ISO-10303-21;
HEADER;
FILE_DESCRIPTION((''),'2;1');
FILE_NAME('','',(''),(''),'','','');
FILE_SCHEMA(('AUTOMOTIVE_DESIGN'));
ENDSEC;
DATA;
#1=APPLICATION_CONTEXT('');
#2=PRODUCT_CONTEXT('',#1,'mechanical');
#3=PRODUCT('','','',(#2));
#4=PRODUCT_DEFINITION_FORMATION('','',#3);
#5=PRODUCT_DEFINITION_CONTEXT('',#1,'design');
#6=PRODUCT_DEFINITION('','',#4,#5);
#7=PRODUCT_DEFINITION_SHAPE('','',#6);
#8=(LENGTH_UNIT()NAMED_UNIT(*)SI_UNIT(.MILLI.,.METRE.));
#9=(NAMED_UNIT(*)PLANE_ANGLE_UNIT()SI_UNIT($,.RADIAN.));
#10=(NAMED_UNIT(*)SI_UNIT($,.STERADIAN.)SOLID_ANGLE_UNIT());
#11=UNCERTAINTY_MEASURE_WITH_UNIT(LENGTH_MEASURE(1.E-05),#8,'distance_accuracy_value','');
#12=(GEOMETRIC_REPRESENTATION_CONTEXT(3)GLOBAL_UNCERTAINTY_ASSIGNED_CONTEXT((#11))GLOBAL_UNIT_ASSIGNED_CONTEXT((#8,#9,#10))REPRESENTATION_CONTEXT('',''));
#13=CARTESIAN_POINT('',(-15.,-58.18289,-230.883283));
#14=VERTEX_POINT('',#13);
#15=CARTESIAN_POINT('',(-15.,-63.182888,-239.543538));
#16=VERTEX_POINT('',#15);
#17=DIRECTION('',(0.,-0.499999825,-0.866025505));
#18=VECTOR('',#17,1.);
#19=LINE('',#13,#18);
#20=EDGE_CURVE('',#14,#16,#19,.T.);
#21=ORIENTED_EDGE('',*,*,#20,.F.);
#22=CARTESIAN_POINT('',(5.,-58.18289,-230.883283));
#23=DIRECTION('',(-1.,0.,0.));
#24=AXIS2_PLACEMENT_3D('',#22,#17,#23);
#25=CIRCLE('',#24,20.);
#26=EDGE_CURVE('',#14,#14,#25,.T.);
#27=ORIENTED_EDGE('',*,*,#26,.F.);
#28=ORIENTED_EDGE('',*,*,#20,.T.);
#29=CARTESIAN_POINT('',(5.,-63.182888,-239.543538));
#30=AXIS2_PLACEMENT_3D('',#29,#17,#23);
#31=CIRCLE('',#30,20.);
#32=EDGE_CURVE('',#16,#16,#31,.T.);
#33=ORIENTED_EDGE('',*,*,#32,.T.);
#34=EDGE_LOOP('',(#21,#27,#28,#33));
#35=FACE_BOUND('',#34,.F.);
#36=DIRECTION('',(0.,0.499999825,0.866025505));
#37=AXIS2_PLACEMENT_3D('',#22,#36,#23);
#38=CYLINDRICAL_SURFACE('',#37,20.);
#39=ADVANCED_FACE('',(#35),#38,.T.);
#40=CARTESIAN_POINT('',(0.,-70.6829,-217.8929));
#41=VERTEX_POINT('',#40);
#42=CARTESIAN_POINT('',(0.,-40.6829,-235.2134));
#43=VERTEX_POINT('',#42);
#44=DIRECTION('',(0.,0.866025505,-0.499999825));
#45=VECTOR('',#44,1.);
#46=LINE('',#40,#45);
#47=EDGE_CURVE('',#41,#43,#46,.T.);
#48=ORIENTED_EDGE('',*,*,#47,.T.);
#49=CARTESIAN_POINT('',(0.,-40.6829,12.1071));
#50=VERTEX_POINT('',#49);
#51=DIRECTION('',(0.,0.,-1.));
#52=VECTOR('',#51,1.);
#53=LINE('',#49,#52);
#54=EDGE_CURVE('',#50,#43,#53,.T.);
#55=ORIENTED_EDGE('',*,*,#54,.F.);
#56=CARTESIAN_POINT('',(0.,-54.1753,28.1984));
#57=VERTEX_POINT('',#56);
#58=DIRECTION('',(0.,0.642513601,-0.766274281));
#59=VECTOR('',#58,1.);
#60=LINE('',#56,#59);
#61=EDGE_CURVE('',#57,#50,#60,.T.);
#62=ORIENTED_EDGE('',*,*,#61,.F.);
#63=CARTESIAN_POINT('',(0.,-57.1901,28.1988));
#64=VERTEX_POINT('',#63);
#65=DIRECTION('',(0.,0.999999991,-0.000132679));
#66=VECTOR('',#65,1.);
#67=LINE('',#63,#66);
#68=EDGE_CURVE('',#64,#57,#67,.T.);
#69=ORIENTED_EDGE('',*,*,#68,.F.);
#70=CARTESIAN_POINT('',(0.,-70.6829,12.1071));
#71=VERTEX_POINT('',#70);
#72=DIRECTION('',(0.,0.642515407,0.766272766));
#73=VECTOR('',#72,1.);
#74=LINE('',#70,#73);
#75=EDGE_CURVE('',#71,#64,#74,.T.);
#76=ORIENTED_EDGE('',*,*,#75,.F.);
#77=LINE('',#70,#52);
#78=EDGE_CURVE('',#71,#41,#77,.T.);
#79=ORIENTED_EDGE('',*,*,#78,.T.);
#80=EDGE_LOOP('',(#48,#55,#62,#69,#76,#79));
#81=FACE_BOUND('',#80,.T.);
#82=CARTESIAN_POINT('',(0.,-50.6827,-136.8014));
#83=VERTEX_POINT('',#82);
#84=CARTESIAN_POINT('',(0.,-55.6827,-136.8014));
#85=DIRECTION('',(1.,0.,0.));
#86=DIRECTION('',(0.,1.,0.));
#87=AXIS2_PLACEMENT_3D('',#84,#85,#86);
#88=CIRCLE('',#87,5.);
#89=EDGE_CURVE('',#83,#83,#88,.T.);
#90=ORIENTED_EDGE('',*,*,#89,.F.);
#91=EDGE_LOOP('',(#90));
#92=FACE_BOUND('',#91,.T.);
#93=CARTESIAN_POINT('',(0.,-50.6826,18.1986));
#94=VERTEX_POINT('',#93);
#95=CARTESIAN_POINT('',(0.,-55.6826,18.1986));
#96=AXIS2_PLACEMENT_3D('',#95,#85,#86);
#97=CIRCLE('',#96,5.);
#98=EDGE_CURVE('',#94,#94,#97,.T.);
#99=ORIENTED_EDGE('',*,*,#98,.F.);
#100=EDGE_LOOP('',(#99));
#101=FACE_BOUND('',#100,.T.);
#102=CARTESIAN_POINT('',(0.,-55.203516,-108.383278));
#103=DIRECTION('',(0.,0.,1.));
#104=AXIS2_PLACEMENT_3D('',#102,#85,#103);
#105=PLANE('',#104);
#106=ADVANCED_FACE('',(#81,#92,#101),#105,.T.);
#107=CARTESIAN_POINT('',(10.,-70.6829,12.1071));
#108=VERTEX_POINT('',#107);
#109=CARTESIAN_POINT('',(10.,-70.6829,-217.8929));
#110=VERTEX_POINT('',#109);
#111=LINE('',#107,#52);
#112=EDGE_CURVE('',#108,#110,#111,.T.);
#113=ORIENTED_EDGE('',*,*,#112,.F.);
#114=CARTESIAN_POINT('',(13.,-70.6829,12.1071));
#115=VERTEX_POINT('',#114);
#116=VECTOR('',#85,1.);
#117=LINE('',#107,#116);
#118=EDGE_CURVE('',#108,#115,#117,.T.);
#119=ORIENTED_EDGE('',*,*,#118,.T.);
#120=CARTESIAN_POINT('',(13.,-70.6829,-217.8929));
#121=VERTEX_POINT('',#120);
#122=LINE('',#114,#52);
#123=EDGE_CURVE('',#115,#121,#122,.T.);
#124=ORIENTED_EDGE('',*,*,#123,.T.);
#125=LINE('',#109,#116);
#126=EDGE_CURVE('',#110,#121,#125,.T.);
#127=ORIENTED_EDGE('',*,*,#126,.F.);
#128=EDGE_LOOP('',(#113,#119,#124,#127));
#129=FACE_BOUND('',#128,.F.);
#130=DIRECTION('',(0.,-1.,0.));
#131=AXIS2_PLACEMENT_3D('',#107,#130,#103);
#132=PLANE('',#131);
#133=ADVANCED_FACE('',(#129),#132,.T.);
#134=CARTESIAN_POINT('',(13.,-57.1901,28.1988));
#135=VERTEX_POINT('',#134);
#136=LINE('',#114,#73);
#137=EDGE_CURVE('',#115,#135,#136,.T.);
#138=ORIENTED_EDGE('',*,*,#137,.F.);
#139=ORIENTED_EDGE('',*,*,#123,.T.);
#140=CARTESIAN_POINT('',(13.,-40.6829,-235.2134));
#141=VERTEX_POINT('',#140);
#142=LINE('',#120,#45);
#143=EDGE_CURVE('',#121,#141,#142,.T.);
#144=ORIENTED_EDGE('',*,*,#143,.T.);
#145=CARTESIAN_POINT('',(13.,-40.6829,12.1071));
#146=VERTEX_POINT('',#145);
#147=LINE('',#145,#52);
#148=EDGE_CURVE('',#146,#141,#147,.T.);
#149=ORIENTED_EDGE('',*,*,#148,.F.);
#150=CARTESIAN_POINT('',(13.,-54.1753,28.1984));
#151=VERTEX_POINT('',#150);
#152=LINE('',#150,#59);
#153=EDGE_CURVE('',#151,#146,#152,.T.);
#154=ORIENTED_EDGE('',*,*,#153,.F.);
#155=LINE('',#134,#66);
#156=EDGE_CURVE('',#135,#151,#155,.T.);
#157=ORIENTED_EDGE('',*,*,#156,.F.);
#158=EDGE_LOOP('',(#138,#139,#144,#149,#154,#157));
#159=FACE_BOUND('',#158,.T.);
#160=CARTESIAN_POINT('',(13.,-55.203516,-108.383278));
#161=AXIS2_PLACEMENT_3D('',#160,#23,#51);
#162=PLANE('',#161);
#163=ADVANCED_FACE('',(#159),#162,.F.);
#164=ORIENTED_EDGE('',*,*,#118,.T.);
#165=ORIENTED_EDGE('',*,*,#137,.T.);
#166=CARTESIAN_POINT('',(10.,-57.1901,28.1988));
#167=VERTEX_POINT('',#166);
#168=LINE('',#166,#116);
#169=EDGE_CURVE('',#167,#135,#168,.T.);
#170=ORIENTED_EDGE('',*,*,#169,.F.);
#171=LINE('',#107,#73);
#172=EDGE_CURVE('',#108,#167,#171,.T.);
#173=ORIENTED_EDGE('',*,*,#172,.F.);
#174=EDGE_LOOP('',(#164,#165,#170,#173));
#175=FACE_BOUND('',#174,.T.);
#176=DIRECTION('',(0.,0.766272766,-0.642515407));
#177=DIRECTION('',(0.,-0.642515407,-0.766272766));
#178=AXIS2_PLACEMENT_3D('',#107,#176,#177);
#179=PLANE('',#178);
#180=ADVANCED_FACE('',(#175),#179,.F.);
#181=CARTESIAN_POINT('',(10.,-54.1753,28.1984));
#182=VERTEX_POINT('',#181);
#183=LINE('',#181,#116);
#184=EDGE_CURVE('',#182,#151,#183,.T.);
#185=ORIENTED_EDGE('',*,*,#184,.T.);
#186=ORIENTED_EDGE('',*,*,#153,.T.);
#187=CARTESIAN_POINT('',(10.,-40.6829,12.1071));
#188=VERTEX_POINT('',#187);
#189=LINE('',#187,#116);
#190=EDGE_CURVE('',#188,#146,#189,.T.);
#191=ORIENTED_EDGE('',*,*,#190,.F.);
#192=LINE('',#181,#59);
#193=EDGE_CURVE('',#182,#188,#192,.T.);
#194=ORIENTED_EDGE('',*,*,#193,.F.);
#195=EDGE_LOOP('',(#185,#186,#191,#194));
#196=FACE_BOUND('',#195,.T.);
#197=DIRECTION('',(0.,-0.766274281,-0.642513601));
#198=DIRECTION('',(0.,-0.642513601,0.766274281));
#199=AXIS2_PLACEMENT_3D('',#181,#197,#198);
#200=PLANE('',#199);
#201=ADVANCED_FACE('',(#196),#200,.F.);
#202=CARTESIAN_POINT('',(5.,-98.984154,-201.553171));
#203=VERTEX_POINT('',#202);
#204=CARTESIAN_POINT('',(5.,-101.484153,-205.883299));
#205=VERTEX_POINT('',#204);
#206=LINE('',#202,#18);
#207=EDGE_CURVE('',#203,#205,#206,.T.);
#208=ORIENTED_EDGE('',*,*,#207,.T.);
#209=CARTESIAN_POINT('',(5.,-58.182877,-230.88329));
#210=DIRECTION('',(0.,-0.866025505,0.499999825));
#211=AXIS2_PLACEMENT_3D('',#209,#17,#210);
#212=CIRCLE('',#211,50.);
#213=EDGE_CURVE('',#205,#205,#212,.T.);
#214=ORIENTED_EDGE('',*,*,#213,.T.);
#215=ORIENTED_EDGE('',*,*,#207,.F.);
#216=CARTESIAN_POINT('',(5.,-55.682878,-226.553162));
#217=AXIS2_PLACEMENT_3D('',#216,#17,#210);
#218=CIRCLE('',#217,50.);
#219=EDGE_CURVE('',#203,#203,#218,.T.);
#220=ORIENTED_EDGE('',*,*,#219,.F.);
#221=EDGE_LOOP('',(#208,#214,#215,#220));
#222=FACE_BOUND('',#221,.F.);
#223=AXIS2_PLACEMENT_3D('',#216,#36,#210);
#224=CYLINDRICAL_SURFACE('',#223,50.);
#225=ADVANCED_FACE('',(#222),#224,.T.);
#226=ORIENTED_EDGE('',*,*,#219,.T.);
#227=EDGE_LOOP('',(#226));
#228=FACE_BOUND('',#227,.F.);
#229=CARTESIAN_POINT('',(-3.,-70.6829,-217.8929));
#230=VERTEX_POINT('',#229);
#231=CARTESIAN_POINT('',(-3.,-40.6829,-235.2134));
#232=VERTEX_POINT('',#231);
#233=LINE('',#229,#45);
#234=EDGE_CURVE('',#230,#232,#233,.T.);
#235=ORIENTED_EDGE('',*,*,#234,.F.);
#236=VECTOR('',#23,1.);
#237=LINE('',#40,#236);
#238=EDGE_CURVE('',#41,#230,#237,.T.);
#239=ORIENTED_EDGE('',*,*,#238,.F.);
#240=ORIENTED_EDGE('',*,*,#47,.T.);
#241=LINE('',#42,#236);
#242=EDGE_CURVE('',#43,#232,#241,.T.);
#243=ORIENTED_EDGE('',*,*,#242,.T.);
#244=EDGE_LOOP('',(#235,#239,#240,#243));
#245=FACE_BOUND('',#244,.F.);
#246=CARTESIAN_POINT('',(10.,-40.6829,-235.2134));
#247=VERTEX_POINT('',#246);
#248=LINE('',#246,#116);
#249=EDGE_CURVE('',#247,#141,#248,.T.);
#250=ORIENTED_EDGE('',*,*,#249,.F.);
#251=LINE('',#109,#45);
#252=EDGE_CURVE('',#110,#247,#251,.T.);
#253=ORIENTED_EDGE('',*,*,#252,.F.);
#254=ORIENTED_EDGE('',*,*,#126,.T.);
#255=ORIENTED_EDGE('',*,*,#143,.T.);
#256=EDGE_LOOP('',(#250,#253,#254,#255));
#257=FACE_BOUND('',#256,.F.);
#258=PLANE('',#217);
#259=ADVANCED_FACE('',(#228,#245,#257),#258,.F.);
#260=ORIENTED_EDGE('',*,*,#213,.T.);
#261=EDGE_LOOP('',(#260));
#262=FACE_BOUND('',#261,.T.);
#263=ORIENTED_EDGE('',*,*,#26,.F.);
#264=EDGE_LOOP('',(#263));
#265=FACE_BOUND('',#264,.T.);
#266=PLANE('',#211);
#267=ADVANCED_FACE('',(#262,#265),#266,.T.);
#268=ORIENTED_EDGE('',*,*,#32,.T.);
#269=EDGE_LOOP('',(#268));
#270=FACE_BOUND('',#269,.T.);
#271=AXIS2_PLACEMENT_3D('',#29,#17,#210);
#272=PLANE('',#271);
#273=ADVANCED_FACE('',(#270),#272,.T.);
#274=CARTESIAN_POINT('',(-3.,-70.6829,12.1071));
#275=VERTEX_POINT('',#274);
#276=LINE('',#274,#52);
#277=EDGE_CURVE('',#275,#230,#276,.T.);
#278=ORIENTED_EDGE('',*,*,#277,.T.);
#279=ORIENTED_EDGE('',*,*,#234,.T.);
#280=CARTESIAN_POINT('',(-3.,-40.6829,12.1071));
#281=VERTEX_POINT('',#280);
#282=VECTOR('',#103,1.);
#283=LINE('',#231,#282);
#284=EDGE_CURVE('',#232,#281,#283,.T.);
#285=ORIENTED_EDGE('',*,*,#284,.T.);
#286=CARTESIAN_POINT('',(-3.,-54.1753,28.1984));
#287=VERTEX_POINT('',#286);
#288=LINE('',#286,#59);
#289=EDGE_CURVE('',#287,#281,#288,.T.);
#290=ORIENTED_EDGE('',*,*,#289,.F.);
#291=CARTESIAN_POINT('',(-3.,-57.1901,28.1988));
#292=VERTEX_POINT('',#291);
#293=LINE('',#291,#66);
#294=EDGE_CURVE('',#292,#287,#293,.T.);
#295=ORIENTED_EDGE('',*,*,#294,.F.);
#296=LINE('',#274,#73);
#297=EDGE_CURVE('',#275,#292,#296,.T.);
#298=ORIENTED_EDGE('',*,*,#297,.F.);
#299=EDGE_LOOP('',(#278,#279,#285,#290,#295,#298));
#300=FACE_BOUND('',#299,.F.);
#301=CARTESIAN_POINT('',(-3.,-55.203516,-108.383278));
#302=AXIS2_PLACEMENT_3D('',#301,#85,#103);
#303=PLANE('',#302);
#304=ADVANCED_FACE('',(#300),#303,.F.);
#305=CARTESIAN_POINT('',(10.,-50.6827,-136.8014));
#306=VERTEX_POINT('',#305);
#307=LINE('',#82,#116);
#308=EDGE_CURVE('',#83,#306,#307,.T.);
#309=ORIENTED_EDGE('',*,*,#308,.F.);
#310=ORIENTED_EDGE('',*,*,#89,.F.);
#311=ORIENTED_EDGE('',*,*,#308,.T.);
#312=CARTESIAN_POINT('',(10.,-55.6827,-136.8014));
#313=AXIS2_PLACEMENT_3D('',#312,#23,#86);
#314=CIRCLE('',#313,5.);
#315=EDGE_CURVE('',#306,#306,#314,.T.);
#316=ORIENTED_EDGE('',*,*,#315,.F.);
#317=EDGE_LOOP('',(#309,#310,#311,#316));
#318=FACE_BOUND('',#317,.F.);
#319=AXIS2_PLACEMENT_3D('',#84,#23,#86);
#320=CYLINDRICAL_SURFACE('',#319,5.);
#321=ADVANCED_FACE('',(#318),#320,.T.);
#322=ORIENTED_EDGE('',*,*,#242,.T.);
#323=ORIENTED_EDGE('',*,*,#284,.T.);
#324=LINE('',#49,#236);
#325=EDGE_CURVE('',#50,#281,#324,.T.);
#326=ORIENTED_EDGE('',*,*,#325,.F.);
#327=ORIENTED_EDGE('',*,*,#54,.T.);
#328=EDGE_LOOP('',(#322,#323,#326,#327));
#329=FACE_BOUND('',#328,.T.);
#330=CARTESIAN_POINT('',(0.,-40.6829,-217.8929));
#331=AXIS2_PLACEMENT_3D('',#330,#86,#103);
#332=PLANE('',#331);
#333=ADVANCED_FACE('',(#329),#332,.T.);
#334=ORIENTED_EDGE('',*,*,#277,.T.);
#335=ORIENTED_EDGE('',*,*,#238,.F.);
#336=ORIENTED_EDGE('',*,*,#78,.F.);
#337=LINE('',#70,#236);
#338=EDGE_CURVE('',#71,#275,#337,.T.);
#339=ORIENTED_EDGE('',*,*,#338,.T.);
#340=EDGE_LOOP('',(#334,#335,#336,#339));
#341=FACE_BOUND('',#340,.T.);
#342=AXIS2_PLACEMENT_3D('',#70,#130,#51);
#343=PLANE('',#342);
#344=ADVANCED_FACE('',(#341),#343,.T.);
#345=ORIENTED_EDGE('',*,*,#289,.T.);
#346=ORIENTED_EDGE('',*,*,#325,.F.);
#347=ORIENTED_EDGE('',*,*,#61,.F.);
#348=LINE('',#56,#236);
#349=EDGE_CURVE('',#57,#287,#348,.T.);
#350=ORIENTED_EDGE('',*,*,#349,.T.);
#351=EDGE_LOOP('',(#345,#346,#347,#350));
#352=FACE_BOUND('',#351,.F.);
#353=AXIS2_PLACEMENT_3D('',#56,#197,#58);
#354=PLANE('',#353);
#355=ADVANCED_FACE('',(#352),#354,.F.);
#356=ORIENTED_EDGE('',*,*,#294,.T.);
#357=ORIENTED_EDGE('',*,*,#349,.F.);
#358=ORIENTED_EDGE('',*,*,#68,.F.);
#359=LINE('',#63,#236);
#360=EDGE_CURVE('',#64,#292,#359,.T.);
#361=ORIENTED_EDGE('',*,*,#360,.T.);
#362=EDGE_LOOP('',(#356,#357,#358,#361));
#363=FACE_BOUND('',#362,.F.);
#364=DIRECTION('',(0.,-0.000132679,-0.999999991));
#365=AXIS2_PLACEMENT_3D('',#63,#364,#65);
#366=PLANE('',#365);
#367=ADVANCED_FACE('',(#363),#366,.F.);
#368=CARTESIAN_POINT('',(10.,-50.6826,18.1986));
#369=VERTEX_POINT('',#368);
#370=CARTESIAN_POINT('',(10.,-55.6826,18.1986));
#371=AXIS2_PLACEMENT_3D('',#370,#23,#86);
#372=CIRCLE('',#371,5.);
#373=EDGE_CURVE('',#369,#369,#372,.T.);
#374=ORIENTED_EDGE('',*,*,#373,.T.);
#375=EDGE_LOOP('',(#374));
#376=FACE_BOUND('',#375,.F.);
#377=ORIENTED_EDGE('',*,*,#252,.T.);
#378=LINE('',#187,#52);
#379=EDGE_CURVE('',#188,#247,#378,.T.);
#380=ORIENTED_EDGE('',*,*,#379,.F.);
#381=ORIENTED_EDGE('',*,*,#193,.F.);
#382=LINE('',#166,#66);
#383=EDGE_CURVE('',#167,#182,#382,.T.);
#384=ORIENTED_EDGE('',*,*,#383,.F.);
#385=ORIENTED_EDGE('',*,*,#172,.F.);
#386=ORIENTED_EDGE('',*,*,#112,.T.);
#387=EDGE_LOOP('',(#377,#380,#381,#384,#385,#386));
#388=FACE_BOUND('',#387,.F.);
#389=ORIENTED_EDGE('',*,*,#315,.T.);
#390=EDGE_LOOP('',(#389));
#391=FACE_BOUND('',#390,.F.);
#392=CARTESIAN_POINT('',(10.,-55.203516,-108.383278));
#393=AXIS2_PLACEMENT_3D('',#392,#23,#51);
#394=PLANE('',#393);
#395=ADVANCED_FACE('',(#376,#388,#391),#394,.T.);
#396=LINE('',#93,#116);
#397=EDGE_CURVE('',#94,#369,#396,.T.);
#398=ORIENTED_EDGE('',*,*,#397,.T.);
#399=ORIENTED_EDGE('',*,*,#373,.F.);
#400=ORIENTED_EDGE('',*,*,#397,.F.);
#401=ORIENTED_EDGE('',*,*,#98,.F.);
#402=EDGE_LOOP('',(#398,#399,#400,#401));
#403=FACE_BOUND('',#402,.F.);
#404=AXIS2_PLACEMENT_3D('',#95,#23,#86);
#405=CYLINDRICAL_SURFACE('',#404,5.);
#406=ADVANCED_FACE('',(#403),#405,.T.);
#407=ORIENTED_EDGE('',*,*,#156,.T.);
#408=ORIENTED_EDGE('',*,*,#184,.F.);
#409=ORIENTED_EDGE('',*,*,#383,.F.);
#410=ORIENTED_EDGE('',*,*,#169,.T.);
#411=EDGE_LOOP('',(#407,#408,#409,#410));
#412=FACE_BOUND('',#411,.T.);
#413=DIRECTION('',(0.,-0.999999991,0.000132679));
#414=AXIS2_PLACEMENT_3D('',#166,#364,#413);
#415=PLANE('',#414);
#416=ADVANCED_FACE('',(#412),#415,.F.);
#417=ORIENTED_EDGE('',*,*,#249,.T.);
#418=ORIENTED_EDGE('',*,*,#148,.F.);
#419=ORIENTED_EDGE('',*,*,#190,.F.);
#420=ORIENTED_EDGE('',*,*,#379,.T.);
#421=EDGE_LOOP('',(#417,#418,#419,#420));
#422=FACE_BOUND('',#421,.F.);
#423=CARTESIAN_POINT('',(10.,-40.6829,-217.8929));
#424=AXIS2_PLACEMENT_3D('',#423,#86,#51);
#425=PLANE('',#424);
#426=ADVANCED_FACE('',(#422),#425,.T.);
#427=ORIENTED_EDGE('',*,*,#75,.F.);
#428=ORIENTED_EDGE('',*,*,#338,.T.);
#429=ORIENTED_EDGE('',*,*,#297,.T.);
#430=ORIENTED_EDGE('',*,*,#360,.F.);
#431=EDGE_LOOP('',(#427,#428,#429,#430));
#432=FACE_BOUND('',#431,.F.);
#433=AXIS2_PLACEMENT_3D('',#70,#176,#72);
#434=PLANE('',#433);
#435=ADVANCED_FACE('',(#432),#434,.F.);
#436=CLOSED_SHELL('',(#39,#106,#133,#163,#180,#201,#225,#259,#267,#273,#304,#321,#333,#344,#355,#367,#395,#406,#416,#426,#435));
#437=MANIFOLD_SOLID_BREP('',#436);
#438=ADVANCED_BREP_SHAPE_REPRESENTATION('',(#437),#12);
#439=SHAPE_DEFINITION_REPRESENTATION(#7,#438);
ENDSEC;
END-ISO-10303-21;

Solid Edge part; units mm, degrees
sketch "Sketch1" plane through (0, 0, 0) normal (1, 0, 0) x (0, 1, 0)
  line L0 (-40.6829, -217.8929) -> (-40.6829, 12.1071)
  line L1 (-40.6829, 12.1071) -> (-70.6829, 12.1071)
  line L2 (-70.6829, 12.1071) -> (-70.6829, -217.8929)
  line L3 (-70.6829, -217.8929) -> (-40.6829, -235.2134)
  line L4 (-40.6829, -235.2134) -> (-40.6829, -217.8929)
  line L5 (-70.6829, 12.1071) -> (-40.6829, 12.1071)
  line L6 (-54.1753, 28.1984) -> (-40.6829, 12.1071)
  line L7 (-57.1901, 28.1988) -> (-54.1753, 28.1984)
  line L8 (-70.6829, 12.1071) -> (-57.1901, 28.1988)
  dimension "D1" = 30
  dimension "D2" = 20.9994
  dimension "D3" = 21
  dimension "D4" = 230
  dimension "D5" = 30
extrude "Protrusion1" add sketch "Sketch1" against normal blind 3
sketch "Sketch2" plane through (0, -21.8205, 20.1807) normal (1, 0, 0) x (0, 1, 0)
  circle A0 centre (-33.8622, -156.9821) radius 5
  circle A1 centre (-33.8621, -1.9821) radius 5
  dimension "D1" = 9.9998
  dimension "D2" = 155
extrude "ExtrudedProtrusion_2" add sketch "Sketch2" along normal blind 11
mirror "Mirror1" about plane through (5, -21.8205, 20.1506) normal (1, 0, 0) of "Protrusion1"
sketch "Sketch3" plane through (-1.5, -55.6829, -226.5532) normal (0, -0.5, -0.866) x (0, -0.866, 0.5)
  circle A0 centre (0, -6.5) radius 50
  dimension "D1" = 5
extrude "ExtrudedProtrusion_5" add sketch "Sketch3" along normal blind 5
sketch "Sketch4" plane through (5, -58.1829, -230.8833) normal (0, -0.5, -0.866) x (-1, 0, 0)
  circle A0 centre (0, 0) radius 20
extrude "ExtrudedProtrusion_6" add sketch "Sketch4" along normal blind 10
